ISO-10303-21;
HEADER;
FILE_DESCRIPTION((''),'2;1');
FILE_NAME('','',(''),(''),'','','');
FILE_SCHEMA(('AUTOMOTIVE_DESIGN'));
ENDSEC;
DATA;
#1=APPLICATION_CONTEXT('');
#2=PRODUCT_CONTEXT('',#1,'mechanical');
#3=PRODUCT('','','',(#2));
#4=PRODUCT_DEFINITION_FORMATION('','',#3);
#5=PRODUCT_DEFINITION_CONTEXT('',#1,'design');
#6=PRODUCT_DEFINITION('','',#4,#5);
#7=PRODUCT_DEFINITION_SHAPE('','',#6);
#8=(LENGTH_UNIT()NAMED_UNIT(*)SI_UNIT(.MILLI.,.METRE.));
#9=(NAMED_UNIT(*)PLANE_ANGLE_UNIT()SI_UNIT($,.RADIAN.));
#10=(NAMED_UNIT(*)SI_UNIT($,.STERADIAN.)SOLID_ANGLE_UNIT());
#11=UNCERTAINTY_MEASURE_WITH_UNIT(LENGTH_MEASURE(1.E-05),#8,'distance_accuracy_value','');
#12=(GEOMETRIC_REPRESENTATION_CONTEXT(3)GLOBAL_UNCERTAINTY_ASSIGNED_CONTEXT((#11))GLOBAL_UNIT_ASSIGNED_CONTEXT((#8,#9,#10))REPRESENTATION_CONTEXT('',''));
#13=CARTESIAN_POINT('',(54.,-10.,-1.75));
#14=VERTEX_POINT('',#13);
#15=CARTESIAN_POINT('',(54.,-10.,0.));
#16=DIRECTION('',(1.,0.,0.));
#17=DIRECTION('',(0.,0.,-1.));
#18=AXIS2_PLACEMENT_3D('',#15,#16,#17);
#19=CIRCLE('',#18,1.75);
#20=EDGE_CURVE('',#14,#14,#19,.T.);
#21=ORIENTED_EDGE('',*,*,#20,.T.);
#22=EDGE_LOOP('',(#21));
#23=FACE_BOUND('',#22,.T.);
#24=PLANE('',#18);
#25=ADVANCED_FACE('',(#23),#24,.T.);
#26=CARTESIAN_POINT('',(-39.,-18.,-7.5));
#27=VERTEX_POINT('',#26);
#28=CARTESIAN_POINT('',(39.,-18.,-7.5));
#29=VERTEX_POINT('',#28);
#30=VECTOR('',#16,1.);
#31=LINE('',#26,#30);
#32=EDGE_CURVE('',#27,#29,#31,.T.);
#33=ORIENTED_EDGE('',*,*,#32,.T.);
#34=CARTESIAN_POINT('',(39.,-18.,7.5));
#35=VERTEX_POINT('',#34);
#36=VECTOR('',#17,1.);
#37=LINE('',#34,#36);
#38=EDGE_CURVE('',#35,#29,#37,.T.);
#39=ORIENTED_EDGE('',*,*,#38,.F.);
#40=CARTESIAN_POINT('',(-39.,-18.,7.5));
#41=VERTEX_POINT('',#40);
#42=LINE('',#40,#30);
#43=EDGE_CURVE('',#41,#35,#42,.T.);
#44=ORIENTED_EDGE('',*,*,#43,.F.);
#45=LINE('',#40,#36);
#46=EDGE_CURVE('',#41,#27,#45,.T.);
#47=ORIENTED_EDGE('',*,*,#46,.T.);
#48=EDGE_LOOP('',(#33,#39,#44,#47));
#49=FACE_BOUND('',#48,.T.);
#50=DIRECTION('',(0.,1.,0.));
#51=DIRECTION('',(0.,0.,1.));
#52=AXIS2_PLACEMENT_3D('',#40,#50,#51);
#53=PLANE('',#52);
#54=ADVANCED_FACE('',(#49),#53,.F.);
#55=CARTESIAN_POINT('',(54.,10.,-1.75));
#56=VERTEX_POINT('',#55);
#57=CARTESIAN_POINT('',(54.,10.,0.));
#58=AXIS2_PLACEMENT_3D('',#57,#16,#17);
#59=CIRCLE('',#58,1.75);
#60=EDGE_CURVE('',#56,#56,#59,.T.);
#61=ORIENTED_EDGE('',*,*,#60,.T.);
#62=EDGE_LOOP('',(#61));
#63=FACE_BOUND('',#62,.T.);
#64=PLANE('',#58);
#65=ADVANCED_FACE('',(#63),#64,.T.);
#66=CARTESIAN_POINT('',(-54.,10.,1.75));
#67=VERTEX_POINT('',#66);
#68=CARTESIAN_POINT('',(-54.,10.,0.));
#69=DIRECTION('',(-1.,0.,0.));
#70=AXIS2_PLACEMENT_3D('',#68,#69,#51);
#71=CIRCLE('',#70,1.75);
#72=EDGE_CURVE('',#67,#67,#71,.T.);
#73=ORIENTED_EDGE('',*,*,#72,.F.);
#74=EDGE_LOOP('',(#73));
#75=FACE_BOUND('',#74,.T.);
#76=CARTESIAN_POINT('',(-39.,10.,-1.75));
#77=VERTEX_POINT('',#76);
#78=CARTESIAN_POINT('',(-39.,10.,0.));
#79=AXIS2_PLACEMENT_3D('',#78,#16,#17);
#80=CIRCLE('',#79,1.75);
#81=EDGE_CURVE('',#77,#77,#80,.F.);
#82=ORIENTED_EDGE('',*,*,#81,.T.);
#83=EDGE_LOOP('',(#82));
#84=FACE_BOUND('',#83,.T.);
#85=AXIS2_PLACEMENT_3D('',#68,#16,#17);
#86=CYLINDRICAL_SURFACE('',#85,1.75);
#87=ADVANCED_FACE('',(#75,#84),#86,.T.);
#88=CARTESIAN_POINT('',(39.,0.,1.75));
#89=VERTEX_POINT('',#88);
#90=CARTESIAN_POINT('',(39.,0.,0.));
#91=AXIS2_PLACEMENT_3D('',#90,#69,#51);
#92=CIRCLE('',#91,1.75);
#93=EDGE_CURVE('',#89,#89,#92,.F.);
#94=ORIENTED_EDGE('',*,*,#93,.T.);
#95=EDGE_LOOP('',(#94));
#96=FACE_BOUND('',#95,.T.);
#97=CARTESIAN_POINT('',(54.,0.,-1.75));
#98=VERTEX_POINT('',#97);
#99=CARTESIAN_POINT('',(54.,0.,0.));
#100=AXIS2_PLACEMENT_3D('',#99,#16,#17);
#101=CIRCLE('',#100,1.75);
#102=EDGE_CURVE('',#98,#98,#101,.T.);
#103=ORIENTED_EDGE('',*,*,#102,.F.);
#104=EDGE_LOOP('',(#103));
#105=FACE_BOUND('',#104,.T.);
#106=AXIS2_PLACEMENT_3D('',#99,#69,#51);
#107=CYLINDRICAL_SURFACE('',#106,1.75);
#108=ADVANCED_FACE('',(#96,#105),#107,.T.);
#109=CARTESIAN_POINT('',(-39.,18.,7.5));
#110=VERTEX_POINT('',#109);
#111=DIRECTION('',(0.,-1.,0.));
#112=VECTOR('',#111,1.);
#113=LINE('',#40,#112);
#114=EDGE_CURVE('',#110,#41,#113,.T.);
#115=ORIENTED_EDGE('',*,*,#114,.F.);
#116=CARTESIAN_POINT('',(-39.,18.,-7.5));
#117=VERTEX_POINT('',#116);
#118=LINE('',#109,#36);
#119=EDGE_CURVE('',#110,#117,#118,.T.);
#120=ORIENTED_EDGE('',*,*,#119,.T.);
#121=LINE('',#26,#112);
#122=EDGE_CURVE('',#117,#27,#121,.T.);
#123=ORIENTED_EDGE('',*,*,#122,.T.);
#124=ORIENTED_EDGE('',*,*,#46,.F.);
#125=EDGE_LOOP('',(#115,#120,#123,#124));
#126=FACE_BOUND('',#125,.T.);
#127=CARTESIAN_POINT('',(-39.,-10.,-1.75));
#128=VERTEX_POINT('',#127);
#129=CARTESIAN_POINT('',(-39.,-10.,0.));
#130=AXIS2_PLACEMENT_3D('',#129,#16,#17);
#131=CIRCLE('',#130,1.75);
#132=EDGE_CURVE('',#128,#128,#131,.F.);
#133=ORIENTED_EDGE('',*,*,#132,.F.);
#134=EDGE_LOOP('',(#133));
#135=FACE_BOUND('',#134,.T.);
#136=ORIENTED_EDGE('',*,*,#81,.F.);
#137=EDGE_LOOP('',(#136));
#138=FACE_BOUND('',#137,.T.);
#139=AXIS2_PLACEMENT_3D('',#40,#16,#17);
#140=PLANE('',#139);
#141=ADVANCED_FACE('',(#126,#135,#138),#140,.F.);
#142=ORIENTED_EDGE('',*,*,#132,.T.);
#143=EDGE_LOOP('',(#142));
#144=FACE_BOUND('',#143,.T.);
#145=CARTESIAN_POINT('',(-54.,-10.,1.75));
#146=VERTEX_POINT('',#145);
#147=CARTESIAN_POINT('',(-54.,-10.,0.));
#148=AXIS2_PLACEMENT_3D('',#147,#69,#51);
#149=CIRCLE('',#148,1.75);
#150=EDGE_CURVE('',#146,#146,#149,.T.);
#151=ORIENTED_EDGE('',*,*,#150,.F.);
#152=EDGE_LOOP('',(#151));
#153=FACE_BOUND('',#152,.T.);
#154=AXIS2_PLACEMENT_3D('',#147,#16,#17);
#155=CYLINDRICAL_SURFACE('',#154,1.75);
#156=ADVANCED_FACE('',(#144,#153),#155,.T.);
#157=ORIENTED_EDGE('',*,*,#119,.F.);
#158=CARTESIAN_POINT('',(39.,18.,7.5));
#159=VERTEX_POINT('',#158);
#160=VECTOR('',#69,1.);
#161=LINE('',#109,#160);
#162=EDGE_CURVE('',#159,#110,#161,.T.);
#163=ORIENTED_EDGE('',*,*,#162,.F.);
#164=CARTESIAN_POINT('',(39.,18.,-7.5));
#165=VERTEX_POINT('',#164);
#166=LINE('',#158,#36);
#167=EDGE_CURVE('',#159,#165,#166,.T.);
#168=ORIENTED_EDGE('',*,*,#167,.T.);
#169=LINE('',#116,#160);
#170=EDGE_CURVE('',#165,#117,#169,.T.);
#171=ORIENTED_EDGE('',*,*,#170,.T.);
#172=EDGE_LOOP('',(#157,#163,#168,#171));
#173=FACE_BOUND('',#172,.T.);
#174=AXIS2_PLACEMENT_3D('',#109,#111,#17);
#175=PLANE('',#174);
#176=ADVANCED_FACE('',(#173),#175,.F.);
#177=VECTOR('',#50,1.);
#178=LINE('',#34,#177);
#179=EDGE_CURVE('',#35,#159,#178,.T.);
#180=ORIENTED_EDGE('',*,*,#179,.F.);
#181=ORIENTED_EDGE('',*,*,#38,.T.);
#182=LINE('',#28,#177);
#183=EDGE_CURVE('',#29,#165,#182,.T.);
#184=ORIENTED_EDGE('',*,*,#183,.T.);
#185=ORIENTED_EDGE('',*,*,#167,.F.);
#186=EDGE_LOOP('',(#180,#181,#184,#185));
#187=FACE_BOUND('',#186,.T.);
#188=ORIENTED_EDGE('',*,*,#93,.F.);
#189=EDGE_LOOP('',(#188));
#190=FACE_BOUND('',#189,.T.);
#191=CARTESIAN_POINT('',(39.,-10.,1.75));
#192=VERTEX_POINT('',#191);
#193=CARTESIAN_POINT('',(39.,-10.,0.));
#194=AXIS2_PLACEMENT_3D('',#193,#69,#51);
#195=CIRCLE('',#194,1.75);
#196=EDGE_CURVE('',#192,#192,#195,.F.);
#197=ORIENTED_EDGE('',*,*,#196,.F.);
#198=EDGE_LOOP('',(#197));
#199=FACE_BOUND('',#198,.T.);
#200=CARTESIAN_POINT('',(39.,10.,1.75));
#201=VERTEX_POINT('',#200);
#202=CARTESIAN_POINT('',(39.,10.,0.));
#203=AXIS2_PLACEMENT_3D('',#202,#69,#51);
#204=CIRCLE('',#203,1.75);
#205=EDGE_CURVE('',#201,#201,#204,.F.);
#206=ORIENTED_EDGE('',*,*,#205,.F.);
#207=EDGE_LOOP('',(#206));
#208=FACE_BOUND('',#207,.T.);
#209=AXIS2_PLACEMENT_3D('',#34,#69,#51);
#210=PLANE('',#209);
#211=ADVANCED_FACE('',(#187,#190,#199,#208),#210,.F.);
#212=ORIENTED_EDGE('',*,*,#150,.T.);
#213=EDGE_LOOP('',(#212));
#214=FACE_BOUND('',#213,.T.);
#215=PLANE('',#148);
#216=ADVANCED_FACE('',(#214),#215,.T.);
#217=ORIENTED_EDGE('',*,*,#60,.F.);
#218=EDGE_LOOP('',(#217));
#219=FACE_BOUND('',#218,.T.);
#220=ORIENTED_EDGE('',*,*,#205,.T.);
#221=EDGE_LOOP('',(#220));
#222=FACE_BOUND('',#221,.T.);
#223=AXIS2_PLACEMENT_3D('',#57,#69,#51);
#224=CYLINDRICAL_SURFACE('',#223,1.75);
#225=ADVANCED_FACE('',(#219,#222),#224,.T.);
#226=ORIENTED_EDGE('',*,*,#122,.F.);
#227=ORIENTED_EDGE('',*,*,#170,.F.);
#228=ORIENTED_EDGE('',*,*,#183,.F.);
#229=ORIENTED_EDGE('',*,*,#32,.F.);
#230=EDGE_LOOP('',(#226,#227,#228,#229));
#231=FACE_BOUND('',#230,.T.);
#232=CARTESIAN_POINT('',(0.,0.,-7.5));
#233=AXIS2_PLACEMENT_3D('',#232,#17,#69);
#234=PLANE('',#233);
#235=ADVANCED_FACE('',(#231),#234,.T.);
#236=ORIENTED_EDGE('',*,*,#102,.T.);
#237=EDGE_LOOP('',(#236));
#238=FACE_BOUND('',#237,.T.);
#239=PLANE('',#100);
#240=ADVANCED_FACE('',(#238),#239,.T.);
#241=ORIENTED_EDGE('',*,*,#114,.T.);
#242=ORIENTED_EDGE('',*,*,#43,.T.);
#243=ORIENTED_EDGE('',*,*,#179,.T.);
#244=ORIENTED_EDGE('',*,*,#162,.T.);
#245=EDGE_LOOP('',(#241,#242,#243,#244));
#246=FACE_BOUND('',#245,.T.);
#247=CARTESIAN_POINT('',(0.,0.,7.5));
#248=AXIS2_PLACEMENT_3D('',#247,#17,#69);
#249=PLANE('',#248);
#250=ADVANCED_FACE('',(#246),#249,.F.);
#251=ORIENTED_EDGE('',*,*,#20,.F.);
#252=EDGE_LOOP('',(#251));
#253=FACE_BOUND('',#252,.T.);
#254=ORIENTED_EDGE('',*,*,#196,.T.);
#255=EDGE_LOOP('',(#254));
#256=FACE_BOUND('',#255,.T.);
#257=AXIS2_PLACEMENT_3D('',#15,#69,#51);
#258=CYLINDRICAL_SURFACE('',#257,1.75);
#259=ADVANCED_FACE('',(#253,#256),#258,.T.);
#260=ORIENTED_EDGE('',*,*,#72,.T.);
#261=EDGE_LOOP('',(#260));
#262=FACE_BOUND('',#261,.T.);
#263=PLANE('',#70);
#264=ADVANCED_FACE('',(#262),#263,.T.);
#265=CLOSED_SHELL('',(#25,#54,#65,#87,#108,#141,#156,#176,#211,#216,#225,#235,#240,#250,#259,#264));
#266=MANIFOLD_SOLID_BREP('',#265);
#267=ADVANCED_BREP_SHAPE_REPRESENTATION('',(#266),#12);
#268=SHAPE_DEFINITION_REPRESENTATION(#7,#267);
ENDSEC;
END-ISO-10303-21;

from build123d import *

# Parameters (mm, degrees)
SKETCH_2_W      = 78
SKETCH_2_H      = 36
EXTRUDE_1_DEPTH = 7.5
SKETCH_3_R      = 1.75
EXTRUDE_2_DEPTH = 15
EXTRUDE_START   = 15
SKETCH_4_R      = 1.75
EXTRUDE_3_DEPTH = 15


with BuildPart() as part:
    # Эскиз2 → Бобышка-Вытянуть1 (new, symmetric)
    with BuildSketch(Plane.XY):
        Rectangle(SKETCH_2_W, SKETCH_2_H)
    extrude(amount=EXTRUDE_1_DEPTH, both=True)

    # Эскиз3 → Бобышка-Вытянуть2 (add)
    with BuildSketch(Plane(origin=(39, 0, 0), x_dir=(0, 0, -1), z_dir=(1, 0, 0))):
        with Locations(Location((0, -10, 0), (0, 0, 180))):
            Circle(SKETCH_3_R)
        with Locations(Location((0, 0, 0), (0, 0, 180))):
            Circle(SKETCH_3_R)
        with Locations(Location((0, 10, 0), (0, 0, 180))):
            Circle(SKETCH_3_R)
    extrude(amount=EXTRUDE_2_DEPTH)

    # Эскиз4 → Бобышка-Вытянуть3 (add)
    with BuildSketch(Plane.ZY.offset(39).offset(EXTRUDE_START)):
        with Locations((0, 10)):
            Circle(SKETCH_4_R)
        with Locations((0, -10)):
            Circle(SKETCH_4_R)
    extrude(amount=-EXTRUDE_3_DEPTH)


solid = part.part
